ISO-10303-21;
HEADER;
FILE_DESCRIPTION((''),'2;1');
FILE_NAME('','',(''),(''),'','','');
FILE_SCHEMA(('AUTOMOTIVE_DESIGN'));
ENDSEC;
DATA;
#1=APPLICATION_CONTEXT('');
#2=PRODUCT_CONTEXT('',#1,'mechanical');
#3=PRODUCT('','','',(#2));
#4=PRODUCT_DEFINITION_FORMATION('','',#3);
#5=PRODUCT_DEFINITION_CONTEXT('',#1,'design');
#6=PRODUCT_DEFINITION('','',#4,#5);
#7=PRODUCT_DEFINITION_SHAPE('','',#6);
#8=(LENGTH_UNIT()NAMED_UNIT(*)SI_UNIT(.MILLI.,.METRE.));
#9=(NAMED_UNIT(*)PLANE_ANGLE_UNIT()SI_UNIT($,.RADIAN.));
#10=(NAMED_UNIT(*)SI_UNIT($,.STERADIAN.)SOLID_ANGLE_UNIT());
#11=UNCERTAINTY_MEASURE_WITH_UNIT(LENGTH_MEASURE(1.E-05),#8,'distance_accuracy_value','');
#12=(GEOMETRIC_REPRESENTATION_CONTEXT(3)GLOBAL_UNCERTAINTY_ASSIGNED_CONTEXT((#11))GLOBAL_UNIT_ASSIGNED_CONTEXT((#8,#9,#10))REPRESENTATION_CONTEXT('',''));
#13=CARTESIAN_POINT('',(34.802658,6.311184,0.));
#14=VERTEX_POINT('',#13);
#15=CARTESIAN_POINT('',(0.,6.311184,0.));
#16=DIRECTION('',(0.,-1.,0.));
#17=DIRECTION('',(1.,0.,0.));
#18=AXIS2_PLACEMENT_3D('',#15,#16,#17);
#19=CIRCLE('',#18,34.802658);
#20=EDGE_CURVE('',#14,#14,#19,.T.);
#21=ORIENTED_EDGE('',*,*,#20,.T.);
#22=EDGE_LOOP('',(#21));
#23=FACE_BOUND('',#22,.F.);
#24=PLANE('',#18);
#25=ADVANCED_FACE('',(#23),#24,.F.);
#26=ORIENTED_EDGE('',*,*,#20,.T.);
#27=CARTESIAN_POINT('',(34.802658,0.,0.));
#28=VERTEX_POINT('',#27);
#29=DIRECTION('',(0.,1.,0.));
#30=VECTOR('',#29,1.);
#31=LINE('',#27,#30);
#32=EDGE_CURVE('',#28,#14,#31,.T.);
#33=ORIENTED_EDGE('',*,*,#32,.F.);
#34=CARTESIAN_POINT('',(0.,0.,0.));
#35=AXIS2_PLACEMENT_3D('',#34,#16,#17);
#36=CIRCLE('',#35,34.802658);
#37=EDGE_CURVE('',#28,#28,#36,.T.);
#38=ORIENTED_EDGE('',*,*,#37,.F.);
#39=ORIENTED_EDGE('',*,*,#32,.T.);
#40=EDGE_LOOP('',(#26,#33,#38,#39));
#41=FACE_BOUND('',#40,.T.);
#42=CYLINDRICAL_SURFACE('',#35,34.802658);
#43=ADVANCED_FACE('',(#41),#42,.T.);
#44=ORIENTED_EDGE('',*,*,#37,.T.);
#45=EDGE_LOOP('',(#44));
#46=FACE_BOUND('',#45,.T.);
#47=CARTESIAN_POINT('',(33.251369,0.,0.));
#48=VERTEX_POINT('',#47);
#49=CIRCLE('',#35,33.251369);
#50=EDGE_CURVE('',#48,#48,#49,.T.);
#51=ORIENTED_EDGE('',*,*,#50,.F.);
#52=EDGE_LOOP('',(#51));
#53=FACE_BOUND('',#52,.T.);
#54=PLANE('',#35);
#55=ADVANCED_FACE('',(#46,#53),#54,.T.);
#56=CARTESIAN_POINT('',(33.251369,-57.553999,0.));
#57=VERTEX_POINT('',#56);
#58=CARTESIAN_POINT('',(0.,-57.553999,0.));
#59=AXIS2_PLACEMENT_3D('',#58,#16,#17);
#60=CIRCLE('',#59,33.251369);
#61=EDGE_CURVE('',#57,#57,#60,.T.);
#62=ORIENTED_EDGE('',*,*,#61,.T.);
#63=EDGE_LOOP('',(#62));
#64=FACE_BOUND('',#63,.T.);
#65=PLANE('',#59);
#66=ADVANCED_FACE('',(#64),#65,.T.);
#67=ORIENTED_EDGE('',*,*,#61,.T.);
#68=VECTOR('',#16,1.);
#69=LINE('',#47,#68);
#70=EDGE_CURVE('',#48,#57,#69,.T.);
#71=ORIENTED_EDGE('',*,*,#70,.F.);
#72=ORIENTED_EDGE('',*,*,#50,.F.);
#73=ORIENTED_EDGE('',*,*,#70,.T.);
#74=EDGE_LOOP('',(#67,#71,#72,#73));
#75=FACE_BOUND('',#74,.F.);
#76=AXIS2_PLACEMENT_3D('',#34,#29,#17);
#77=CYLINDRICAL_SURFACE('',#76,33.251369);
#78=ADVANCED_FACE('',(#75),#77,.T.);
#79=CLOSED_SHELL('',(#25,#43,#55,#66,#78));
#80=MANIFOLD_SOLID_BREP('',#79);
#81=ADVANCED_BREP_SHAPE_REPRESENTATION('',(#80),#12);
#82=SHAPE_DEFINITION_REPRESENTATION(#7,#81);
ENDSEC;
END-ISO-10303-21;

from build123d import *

# Parameters (mm, degrees)
F0_R     = 33.251369
F1_DEPTH = 57.553999
F2_R     = 34.802658
F3_DEPTH = 6.311184


with BuildPart() as f1:
    # F0 (on Front) → F1 (new body)
    with BuildSketch(Plane.XZ):
        Circle(F0_R)
    extrude(amount=F1_DEPTH)

    # F2 (on Front) → F3 (join)
    with BuildSketch(Plane.XZ):
        Circle(F2_R)
    extrude(amount=-F3_DEPTH)


solid = f1.part
